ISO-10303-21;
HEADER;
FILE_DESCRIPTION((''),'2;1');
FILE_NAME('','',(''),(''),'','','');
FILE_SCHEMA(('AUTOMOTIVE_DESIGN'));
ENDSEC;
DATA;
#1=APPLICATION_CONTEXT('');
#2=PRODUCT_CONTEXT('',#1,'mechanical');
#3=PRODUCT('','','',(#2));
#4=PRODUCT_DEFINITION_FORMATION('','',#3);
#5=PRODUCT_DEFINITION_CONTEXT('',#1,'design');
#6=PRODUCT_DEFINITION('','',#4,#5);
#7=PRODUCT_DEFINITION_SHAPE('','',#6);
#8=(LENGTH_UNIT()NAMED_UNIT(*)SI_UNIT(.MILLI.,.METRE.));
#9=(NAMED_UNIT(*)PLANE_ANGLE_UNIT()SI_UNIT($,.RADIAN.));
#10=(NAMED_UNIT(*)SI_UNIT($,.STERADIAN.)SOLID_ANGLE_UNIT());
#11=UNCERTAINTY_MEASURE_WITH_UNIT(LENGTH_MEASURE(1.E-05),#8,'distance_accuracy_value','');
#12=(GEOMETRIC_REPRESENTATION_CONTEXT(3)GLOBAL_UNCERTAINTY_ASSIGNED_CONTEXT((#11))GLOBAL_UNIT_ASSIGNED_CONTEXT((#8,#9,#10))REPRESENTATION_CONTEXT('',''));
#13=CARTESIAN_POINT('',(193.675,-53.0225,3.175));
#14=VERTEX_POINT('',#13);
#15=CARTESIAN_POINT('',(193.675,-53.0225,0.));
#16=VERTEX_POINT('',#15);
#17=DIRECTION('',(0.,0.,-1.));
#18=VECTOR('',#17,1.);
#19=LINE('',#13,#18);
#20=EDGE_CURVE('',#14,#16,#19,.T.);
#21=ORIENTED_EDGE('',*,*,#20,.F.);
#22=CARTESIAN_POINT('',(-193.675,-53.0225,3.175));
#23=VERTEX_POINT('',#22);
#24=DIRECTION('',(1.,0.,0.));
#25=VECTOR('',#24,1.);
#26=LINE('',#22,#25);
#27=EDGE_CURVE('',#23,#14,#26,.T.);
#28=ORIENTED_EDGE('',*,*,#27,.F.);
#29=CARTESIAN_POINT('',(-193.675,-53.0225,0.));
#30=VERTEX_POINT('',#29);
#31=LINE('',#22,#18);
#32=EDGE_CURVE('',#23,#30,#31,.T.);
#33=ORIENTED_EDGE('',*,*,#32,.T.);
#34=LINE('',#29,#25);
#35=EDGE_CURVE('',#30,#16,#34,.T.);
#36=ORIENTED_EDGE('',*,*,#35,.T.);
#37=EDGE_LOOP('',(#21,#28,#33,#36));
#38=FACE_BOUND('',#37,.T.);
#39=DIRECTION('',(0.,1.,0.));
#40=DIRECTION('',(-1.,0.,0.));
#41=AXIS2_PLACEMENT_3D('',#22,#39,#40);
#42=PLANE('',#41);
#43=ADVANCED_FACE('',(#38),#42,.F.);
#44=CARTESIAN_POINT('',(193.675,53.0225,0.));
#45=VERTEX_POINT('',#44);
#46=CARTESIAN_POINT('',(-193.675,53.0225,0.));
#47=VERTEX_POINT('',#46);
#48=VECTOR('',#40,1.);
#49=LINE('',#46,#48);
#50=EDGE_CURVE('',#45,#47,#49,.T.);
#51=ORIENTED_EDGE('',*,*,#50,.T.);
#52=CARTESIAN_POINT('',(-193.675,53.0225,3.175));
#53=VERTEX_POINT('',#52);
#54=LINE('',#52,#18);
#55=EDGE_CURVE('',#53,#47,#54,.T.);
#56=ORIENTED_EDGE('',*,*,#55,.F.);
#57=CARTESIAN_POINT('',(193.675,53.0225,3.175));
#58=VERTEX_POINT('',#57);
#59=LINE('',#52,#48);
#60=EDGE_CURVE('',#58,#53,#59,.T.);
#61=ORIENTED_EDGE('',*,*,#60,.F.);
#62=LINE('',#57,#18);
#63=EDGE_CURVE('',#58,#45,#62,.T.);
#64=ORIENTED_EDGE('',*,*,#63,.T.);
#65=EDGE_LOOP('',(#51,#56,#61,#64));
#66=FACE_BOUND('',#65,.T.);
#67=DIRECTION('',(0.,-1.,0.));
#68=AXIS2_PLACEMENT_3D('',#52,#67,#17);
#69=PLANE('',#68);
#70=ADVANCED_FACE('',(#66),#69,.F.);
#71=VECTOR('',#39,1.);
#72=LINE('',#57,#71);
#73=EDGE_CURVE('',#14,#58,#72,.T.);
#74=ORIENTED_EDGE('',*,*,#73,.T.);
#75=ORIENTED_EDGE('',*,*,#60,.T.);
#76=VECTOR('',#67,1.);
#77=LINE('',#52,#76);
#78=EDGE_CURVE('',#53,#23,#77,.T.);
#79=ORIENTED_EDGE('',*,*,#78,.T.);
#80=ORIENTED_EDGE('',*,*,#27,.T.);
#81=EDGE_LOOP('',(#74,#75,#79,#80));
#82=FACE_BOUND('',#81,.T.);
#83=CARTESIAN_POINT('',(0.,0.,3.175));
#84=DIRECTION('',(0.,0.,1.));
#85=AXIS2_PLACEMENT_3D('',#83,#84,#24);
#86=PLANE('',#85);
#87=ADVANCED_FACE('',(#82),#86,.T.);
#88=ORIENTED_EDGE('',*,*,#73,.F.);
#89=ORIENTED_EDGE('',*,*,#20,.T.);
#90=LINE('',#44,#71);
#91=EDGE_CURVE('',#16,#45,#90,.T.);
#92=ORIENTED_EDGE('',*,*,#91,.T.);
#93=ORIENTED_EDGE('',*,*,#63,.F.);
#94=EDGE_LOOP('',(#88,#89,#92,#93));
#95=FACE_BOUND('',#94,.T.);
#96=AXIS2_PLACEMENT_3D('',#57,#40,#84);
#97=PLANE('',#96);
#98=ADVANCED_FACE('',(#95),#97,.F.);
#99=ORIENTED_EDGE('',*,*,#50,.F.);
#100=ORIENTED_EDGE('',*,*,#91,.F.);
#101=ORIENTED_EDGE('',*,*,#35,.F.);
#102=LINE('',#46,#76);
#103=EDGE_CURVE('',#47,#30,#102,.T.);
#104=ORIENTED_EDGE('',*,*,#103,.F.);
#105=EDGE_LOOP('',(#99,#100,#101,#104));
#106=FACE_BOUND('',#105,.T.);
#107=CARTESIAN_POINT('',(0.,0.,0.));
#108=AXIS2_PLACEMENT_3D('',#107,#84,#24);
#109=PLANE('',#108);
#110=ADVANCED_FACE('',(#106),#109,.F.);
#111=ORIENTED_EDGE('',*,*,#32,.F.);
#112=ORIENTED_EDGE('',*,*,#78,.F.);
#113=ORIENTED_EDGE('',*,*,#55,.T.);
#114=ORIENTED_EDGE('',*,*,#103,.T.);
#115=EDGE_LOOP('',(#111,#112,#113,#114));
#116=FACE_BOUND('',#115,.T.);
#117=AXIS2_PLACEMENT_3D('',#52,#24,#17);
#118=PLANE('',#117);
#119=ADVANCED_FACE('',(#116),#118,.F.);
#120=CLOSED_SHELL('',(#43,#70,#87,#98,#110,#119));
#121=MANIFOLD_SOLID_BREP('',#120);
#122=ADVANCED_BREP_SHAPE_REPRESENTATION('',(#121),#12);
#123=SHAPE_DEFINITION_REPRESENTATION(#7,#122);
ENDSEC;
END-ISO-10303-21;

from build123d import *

# Parameters (mm, degrees)
SKETCH1_W           = 387.35
SKETCH1_H           = 106.045
BOSS_EXTRUDE1_DEPTH = 3.175


with BuildPart() as part:
    # Sketch1 → Boss-Extrude1 (new body)
    with BuildSketch(Plane.XY):
        Rectangle(SKETCH1_W, SKETCH1_H)
    extrude(amount=BOSS_EXTRUDE1_DEPTH)


solid = part.part
